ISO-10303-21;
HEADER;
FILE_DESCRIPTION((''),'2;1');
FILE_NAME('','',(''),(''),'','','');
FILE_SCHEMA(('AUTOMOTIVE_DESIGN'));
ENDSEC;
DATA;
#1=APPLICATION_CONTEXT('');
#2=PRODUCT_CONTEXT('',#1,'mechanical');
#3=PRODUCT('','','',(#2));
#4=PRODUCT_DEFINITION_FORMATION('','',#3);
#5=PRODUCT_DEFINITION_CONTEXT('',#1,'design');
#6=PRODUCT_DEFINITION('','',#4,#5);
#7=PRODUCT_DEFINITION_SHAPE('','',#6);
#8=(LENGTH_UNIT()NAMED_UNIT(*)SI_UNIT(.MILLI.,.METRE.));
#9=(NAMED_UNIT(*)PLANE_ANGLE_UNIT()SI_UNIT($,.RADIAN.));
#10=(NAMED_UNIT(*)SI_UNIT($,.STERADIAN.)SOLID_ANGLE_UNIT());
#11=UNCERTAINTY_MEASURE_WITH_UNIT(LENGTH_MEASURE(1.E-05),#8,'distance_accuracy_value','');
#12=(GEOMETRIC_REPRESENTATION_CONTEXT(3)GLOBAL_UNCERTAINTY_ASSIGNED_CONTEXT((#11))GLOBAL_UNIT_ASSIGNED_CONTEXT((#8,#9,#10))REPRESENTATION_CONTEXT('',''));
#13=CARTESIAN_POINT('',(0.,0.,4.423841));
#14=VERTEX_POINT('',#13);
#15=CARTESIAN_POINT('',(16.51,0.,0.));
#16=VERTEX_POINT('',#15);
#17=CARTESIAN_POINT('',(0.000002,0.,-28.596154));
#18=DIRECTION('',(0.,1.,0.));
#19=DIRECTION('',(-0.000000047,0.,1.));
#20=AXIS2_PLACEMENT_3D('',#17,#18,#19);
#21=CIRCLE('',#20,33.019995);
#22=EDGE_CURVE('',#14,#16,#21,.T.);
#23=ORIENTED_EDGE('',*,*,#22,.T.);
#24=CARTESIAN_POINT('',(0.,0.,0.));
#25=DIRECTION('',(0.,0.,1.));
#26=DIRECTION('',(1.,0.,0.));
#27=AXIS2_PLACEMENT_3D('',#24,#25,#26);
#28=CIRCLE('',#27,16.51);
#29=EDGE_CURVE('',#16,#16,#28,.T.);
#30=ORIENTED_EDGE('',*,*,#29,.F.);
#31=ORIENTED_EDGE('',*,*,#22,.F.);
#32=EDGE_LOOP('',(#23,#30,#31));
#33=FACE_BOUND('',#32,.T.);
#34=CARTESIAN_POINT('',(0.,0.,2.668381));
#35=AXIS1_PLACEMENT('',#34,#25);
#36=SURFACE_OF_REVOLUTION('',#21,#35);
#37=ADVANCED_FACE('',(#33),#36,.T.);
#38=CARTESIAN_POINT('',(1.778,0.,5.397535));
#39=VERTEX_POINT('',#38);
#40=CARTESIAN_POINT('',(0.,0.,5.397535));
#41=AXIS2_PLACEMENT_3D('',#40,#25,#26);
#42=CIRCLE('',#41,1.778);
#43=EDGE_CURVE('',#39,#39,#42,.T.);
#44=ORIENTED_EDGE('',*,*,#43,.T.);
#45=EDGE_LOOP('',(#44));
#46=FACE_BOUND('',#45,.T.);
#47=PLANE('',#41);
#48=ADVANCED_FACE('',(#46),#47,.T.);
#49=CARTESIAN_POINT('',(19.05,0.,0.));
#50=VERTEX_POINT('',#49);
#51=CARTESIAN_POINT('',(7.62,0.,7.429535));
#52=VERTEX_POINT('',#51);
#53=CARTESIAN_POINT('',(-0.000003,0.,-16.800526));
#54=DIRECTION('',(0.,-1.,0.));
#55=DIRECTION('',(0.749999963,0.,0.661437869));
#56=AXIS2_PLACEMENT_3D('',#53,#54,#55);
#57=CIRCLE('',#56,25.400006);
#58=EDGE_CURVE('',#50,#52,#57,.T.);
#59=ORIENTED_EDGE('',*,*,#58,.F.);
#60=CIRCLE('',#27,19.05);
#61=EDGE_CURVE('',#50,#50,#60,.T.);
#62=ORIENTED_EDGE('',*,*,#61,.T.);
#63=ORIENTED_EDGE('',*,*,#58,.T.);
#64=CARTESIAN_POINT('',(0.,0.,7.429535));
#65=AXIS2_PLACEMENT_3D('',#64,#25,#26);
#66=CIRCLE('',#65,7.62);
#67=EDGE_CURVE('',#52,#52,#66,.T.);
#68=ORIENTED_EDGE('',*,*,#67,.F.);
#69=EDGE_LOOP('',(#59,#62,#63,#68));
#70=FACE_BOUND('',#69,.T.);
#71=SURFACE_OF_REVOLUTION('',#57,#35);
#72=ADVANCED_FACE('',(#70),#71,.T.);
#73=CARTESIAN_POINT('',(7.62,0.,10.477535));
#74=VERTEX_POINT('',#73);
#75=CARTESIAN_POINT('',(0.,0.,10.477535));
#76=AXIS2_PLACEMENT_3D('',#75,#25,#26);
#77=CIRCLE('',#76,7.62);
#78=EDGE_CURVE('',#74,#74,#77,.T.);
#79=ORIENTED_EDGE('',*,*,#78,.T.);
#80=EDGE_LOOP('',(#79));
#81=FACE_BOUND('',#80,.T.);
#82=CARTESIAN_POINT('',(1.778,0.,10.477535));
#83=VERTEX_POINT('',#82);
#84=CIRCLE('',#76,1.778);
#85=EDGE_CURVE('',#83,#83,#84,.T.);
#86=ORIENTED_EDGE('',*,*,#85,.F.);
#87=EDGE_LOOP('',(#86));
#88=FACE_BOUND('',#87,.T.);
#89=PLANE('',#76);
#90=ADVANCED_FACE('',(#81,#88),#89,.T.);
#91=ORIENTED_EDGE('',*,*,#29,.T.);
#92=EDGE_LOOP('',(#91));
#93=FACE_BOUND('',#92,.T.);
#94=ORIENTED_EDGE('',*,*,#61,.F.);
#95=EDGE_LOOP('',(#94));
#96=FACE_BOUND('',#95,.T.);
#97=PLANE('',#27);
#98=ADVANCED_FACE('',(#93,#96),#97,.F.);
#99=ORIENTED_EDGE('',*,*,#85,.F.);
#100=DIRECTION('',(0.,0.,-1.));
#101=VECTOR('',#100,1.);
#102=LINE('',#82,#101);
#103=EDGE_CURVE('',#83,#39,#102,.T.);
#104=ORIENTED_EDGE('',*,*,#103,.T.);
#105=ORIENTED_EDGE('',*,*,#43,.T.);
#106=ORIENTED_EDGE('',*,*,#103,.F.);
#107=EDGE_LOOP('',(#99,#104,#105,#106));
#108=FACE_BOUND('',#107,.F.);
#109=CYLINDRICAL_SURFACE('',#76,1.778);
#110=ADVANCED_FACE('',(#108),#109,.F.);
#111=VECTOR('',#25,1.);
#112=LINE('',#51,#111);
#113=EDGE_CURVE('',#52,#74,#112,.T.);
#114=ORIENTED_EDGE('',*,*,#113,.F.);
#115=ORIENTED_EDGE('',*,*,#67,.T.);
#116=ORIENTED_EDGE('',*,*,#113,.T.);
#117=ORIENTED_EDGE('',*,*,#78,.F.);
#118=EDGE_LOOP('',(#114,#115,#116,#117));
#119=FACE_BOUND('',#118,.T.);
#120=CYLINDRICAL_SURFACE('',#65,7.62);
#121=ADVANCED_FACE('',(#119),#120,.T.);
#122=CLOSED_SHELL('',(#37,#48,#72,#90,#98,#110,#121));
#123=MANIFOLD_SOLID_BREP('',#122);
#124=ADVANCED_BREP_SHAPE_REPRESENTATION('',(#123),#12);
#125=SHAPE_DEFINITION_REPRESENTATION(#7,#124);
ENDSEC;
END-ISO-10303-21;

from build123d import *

# Parameters (mm, degrees)
F3_R     = 1.778
F4_DEPTH = 5.08


with BuildPart() as f2:
    # F1 (on Front) → F2 (revolve)
    with BuildSketch(Plane.XZ):
        with BuildLine():
            ThreePointArc((0, 4.423841), (8.546205, 3.298712), (16.51, 0))
            Line((16.51, 0), (19.05, 0))
            ThreePointArc((19.05, 0), (13.84275, 4.495917), (7.62, 7.429535))
            Line((7.62, 7.429535), (7.62, 10.477535))
            Line((7.62, 10.477535), (0, 10.477535))
            Line((0, 10.477535), (0, 8.599479))
            Line((0, 8.599479), (0, 6.51166))
            Line((0, 6.51166), (0, 4.423841))
        make_face()
    revolve(axis=Axis((0, 0, 2.668381), (0, 0, 1)))

    # F3 (on face) → F4 (cut)
    with BuildSketch(Plane.XY.offset(10.477535)):
        Circle(F3_R)
    extrude(amount=-F4_DEPTH, mode=Mode.SUBTRACT)


solid = f2.part
